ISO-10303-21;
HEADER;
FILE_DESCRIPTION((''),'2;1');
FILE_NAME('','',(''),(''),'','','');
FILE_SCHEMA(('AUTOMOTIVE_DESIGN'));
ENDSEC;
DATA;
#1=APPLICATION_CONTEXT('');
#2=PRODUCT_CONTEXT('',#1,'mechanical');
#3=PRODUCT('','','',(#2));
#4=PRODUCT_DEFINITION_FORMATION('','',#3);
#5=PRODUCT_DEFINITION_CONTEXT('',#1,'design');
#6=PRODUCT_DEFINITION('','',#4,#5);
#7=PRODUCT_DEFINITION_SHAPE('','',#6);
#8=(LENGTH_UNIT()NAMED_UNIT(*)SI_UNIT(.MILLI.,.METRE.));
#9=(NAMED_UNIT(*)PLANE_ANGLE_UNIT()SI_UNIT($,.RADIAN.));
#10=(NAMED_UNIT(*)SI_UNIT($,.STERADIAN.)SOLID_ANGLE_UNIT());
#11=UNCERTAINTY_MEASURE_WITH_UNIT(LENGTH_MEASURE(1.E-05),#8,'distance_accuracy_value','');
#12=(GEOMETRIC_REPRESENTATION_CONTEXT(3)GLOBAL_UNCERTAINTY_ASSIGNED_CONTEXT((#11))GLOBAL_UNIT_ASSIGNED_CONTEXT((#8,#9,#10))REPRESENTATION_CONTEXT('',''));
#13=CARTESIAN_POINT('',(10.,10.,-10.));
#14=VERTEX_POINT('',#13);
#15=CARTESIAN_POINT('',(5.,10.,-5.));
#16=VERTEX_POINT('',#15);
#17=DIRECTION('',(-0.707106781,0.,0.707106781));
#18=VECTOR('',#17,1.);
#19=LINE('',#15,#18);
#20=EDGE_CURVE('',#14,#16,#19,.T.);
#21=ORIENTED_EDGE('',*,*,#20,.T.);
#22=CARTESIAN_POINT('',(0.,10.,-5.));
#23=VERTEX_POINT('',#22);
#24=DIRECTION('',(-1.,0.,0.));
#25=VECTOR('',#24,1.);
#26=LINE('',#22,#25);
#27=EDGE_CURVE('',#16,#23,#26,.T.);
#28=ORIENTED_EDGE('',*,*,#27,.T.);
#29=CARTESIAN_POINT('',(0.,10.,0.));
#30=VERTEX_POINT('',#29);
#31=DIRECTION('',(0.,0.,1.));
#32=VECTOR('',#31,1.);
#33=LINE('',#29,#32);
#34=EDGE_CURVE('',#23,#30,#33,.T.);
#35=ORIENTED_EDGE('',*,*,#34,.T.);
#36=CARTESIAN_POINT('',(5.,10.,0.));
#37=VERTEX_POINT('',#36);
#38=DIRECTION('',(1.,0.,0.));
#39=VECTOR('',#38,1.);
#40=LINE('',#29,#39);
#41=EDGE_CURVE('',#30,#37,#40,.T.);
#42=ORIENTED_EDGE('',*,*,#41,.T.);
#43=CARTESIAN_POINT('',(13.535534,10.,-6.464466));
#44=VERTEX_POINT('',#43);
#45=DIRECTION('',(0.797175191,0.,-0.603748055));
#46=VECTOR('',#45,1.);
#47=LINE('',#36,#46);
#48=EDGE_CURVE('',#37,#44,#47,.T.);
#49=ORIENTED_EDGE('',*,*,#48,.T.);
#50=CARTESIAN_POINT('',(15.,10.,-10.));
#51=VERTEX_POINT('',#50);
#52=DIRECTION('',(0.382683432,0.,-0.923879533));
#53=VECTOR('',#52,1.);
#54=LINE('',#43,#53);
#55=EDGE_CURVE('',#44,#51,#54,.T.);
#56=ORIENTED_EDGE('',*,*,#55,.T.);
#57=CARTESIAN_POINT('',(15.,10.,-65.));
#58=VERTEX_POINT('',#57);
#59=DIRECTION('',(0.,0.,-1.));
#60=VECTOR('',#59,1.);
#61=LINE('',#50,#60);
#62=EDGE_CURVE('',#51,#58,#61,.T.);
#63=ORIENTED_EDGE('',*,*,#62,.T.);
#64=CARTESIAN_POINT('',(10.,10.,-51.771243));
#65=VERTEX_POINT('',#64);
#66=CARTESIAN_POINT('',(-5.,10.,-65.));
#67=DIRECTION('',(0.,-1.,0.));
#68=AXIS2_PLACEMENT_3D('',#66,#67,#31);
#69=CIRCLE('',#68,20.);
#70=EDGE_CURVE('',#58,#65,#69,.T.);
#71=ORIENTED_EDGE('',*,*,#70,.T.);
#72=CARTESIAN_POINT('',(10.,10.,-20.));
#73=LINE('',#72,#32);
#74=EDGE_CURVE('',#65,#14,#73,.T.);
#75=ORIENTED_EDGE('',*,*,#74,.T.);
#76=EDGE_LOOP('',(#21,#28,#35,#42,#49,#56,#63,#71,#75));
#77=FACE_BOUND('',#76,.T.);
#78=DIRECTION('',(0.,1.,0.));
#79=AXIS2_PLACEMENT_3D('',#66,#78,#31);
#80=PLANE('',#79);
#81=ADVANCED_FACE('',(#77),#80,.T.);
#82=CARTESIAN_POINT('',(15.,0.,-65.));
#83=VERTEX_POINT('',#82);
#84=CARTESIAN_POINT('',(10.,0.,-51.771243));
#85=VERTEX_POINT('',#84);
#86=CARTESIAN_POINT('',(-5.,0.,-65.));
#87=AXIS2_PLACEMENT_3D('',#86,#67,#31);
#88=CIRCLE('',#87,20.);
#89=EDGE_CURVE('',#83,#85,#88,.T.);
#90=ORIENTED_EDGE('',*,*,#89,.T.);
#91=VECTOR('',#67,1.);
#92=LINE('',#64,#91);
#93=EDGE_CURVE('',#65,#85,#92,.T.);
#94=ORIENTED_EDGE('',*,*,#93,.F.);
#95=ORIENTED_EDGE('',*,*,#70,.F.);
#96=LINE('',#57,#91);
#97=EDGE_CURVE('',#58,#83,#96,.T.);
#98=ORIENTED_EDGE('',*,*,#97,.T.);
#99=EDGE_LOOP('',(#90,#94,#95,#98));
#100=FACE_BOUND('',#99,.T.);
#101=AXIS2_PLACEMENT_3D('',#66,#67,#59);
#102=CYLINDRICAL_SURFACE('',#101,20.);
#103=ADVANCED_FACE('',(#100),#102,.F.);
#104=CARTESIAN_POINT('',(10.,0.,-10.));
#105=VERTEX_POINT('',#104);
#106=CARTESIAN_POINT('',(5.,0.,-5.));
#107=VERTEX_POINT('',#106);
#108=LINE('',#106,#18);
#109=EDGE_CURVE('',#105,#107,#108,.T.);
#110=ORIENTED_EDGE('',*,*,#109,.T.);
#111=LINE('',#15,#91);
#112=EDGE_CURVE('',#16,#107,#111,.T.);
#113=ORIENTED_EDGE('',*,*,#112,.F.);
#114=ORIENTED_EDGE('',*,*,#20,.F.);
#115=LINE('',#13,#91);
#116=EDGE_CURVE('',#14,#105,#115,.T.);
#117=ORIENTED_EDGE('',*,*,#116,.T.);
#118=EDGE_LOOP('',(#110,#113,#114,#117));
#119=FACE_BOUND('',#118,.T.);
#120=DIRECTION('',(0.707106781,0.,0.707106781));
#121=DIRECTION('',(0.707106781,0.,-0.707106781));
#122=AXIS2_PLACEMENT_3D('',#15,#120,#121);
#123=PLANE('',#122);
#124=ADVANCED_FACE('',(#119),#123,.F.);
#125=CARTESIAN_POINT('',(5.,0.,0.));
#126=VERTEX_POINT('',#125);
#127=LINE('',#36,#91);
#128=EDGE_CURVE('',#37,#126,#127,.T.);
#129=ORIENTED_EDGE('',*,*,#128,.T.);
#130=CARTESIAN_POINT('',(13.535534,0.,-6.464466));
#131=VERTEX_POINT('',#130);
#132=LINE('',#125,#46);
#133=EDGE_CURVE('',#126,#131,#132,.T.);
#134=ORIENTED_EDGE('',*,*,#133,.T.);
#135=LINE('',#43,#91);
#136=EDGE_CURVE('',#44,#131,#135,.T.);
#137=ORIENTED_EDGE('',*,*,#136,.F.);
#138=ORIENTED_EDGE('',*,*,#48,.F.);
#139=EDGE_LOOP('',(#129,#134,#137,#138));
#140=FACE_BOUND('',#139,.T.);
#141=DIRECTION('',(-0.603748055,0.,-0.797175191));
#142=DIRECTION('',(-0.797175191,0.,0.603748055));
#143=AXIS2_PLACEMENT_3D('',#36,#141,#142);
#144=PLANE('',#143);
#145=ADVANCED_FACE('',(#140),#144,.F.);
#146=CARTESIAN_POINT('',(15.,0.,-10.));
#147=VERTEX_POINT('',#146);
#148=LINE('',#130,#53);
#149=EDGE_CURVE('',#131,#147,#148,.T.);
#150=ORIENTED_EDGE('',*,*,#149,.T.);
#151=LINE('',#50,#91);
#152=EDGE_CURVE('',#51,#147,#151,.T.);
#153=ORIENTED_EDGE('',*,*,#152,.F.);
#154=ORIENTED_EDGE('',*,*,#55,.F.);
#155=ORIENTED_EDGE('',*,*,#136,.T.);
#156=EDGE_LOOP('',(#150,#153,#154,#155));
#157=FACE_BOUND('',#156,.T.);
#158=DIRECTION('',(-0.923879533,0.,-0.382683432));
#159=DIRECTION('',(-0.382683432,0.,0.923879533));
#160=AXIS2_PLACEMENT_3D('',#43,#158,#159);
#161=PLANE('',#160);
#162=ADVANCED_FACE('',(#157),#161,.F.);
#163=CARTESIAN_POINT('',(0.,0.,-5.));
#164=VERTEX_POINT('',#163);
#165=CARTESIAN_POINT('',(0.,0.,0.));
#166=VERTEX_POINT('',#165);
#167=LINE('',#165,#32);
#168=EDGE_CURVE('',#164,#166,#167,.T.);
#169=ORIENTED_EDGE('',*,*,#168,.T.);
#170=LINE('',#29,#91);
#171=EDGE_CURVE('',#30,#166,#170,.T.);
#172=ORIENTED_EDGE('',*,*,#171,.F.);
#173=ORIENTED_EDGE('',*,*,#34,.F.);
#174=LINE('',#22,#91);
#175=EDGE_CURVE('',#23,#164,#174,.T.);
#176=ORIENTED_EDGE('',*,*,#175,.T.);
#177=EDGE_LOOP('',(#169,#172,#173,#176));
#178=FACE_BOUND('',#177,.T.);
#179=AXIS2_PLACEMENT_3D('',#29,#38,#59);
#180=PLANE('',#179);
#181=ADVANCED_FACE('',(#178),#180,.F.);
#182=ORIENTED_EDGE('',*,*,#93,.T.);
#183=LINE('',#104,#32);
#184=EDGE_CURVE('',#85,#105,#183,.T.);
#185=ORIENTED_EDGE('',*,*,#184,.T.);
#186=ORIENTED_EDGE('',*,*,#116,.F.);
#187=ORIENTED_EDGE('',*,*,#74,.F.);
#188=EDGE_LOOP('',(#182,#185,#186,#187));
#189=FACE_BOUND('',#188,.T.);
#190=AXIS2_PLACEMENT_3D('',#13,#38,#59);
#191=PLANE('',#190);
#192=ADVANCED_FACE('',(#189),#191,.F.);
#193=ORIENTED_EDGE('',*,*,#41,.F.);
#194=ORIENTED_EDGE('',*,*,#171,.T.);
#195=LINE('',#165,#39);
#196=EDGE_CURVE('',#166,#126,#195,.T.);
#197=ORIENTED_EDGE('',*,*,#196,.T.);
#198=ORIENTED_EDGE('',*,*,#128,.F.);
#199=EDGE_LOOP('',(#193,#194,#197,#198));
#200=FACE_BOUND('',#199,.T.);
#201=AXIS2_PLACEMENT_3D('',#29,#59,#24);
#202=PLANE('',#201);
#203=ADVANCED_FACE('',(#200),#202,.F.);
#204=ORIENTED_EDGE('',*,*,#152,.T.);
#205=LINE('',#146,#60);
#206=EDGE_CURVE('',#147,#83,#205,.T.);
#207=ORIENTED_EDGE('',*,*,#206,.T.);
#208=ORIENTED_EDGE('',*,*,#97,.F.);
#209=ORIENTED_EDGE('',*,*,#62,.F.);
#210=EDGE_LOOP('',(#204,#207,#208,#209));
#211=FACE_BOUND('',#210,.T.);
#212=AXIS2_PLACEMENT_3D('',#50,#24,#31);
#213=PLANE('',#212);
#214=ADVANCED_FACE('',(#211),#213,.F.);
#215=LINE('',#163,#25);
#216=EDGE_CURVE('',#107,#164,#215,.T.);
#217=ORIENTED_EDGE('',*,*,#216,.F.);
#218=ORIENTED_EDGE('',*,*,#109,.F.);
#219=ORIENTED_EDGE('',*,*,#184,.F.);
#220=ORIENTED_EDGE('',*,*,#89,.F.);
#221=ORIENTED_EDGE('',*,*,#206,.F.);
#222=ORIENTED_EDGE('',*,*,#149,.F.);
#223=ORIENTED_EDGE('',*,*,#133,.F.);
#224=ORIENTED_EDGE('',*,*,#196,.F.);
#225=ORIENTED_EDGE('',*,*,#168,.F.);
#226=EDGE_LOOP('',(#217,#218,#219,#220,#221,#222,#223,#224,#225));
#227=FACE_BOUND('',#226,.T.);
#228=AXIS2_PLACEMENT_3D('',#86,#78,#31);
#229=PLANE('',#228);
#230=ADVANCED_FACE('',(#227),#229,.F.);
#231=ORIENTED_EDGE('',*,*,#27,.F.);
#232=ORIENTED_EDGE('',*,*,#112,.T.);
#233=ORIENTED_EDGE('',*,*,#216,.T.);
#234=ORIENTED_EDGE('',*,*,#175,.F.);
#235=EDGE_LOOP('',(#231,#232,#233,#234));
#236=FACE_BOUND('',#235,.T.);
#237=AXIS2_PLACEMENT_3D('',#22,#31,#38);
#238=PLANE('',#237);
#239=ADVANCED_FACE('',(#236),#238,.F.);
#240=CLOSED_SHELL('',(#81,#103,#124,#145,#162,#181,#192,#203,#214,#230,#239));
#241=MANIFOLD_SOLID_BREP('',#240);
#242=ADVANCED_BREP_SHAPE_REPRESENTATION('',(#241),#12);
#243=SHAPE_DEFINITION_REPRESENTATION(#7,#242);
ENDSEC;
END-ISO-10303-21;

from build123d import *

# Parameters (mm, degrees)
BOSS_EXTRUDE1_DEPTH = 10


with BuildPart() as part:
    # Sketch1 → Boss-Extrude1 (new body)
    with BuildSketch(Plane(origin=(0, 0, 0), x_dir=(1, 0, 0), z_dir=(0, 1, 0))):
        with BuildLine():
            Line((0, 0), (5, 0))
            Line((5, 0), (13.535533906, 6.464466094))
            Line((13.535533906, 6.464466094), (15, 10))
            Line((15, 10), (15, 65))
            ThreePointArc((15, 65), (13.708286934, 57.928932188), (10, 51.771243445))
            Line((10, 51.771243445), (10, 20))
            Line((10, 20), (10, 10))
            Line((10, 10), (5, 5))
            Line((5, 5), (0, 5))
            Line((0, 5), (0, 0))
        make_face()
    extrude(amount=BOSS_EXTRUDE1_DEPTH)


solid = part.part
